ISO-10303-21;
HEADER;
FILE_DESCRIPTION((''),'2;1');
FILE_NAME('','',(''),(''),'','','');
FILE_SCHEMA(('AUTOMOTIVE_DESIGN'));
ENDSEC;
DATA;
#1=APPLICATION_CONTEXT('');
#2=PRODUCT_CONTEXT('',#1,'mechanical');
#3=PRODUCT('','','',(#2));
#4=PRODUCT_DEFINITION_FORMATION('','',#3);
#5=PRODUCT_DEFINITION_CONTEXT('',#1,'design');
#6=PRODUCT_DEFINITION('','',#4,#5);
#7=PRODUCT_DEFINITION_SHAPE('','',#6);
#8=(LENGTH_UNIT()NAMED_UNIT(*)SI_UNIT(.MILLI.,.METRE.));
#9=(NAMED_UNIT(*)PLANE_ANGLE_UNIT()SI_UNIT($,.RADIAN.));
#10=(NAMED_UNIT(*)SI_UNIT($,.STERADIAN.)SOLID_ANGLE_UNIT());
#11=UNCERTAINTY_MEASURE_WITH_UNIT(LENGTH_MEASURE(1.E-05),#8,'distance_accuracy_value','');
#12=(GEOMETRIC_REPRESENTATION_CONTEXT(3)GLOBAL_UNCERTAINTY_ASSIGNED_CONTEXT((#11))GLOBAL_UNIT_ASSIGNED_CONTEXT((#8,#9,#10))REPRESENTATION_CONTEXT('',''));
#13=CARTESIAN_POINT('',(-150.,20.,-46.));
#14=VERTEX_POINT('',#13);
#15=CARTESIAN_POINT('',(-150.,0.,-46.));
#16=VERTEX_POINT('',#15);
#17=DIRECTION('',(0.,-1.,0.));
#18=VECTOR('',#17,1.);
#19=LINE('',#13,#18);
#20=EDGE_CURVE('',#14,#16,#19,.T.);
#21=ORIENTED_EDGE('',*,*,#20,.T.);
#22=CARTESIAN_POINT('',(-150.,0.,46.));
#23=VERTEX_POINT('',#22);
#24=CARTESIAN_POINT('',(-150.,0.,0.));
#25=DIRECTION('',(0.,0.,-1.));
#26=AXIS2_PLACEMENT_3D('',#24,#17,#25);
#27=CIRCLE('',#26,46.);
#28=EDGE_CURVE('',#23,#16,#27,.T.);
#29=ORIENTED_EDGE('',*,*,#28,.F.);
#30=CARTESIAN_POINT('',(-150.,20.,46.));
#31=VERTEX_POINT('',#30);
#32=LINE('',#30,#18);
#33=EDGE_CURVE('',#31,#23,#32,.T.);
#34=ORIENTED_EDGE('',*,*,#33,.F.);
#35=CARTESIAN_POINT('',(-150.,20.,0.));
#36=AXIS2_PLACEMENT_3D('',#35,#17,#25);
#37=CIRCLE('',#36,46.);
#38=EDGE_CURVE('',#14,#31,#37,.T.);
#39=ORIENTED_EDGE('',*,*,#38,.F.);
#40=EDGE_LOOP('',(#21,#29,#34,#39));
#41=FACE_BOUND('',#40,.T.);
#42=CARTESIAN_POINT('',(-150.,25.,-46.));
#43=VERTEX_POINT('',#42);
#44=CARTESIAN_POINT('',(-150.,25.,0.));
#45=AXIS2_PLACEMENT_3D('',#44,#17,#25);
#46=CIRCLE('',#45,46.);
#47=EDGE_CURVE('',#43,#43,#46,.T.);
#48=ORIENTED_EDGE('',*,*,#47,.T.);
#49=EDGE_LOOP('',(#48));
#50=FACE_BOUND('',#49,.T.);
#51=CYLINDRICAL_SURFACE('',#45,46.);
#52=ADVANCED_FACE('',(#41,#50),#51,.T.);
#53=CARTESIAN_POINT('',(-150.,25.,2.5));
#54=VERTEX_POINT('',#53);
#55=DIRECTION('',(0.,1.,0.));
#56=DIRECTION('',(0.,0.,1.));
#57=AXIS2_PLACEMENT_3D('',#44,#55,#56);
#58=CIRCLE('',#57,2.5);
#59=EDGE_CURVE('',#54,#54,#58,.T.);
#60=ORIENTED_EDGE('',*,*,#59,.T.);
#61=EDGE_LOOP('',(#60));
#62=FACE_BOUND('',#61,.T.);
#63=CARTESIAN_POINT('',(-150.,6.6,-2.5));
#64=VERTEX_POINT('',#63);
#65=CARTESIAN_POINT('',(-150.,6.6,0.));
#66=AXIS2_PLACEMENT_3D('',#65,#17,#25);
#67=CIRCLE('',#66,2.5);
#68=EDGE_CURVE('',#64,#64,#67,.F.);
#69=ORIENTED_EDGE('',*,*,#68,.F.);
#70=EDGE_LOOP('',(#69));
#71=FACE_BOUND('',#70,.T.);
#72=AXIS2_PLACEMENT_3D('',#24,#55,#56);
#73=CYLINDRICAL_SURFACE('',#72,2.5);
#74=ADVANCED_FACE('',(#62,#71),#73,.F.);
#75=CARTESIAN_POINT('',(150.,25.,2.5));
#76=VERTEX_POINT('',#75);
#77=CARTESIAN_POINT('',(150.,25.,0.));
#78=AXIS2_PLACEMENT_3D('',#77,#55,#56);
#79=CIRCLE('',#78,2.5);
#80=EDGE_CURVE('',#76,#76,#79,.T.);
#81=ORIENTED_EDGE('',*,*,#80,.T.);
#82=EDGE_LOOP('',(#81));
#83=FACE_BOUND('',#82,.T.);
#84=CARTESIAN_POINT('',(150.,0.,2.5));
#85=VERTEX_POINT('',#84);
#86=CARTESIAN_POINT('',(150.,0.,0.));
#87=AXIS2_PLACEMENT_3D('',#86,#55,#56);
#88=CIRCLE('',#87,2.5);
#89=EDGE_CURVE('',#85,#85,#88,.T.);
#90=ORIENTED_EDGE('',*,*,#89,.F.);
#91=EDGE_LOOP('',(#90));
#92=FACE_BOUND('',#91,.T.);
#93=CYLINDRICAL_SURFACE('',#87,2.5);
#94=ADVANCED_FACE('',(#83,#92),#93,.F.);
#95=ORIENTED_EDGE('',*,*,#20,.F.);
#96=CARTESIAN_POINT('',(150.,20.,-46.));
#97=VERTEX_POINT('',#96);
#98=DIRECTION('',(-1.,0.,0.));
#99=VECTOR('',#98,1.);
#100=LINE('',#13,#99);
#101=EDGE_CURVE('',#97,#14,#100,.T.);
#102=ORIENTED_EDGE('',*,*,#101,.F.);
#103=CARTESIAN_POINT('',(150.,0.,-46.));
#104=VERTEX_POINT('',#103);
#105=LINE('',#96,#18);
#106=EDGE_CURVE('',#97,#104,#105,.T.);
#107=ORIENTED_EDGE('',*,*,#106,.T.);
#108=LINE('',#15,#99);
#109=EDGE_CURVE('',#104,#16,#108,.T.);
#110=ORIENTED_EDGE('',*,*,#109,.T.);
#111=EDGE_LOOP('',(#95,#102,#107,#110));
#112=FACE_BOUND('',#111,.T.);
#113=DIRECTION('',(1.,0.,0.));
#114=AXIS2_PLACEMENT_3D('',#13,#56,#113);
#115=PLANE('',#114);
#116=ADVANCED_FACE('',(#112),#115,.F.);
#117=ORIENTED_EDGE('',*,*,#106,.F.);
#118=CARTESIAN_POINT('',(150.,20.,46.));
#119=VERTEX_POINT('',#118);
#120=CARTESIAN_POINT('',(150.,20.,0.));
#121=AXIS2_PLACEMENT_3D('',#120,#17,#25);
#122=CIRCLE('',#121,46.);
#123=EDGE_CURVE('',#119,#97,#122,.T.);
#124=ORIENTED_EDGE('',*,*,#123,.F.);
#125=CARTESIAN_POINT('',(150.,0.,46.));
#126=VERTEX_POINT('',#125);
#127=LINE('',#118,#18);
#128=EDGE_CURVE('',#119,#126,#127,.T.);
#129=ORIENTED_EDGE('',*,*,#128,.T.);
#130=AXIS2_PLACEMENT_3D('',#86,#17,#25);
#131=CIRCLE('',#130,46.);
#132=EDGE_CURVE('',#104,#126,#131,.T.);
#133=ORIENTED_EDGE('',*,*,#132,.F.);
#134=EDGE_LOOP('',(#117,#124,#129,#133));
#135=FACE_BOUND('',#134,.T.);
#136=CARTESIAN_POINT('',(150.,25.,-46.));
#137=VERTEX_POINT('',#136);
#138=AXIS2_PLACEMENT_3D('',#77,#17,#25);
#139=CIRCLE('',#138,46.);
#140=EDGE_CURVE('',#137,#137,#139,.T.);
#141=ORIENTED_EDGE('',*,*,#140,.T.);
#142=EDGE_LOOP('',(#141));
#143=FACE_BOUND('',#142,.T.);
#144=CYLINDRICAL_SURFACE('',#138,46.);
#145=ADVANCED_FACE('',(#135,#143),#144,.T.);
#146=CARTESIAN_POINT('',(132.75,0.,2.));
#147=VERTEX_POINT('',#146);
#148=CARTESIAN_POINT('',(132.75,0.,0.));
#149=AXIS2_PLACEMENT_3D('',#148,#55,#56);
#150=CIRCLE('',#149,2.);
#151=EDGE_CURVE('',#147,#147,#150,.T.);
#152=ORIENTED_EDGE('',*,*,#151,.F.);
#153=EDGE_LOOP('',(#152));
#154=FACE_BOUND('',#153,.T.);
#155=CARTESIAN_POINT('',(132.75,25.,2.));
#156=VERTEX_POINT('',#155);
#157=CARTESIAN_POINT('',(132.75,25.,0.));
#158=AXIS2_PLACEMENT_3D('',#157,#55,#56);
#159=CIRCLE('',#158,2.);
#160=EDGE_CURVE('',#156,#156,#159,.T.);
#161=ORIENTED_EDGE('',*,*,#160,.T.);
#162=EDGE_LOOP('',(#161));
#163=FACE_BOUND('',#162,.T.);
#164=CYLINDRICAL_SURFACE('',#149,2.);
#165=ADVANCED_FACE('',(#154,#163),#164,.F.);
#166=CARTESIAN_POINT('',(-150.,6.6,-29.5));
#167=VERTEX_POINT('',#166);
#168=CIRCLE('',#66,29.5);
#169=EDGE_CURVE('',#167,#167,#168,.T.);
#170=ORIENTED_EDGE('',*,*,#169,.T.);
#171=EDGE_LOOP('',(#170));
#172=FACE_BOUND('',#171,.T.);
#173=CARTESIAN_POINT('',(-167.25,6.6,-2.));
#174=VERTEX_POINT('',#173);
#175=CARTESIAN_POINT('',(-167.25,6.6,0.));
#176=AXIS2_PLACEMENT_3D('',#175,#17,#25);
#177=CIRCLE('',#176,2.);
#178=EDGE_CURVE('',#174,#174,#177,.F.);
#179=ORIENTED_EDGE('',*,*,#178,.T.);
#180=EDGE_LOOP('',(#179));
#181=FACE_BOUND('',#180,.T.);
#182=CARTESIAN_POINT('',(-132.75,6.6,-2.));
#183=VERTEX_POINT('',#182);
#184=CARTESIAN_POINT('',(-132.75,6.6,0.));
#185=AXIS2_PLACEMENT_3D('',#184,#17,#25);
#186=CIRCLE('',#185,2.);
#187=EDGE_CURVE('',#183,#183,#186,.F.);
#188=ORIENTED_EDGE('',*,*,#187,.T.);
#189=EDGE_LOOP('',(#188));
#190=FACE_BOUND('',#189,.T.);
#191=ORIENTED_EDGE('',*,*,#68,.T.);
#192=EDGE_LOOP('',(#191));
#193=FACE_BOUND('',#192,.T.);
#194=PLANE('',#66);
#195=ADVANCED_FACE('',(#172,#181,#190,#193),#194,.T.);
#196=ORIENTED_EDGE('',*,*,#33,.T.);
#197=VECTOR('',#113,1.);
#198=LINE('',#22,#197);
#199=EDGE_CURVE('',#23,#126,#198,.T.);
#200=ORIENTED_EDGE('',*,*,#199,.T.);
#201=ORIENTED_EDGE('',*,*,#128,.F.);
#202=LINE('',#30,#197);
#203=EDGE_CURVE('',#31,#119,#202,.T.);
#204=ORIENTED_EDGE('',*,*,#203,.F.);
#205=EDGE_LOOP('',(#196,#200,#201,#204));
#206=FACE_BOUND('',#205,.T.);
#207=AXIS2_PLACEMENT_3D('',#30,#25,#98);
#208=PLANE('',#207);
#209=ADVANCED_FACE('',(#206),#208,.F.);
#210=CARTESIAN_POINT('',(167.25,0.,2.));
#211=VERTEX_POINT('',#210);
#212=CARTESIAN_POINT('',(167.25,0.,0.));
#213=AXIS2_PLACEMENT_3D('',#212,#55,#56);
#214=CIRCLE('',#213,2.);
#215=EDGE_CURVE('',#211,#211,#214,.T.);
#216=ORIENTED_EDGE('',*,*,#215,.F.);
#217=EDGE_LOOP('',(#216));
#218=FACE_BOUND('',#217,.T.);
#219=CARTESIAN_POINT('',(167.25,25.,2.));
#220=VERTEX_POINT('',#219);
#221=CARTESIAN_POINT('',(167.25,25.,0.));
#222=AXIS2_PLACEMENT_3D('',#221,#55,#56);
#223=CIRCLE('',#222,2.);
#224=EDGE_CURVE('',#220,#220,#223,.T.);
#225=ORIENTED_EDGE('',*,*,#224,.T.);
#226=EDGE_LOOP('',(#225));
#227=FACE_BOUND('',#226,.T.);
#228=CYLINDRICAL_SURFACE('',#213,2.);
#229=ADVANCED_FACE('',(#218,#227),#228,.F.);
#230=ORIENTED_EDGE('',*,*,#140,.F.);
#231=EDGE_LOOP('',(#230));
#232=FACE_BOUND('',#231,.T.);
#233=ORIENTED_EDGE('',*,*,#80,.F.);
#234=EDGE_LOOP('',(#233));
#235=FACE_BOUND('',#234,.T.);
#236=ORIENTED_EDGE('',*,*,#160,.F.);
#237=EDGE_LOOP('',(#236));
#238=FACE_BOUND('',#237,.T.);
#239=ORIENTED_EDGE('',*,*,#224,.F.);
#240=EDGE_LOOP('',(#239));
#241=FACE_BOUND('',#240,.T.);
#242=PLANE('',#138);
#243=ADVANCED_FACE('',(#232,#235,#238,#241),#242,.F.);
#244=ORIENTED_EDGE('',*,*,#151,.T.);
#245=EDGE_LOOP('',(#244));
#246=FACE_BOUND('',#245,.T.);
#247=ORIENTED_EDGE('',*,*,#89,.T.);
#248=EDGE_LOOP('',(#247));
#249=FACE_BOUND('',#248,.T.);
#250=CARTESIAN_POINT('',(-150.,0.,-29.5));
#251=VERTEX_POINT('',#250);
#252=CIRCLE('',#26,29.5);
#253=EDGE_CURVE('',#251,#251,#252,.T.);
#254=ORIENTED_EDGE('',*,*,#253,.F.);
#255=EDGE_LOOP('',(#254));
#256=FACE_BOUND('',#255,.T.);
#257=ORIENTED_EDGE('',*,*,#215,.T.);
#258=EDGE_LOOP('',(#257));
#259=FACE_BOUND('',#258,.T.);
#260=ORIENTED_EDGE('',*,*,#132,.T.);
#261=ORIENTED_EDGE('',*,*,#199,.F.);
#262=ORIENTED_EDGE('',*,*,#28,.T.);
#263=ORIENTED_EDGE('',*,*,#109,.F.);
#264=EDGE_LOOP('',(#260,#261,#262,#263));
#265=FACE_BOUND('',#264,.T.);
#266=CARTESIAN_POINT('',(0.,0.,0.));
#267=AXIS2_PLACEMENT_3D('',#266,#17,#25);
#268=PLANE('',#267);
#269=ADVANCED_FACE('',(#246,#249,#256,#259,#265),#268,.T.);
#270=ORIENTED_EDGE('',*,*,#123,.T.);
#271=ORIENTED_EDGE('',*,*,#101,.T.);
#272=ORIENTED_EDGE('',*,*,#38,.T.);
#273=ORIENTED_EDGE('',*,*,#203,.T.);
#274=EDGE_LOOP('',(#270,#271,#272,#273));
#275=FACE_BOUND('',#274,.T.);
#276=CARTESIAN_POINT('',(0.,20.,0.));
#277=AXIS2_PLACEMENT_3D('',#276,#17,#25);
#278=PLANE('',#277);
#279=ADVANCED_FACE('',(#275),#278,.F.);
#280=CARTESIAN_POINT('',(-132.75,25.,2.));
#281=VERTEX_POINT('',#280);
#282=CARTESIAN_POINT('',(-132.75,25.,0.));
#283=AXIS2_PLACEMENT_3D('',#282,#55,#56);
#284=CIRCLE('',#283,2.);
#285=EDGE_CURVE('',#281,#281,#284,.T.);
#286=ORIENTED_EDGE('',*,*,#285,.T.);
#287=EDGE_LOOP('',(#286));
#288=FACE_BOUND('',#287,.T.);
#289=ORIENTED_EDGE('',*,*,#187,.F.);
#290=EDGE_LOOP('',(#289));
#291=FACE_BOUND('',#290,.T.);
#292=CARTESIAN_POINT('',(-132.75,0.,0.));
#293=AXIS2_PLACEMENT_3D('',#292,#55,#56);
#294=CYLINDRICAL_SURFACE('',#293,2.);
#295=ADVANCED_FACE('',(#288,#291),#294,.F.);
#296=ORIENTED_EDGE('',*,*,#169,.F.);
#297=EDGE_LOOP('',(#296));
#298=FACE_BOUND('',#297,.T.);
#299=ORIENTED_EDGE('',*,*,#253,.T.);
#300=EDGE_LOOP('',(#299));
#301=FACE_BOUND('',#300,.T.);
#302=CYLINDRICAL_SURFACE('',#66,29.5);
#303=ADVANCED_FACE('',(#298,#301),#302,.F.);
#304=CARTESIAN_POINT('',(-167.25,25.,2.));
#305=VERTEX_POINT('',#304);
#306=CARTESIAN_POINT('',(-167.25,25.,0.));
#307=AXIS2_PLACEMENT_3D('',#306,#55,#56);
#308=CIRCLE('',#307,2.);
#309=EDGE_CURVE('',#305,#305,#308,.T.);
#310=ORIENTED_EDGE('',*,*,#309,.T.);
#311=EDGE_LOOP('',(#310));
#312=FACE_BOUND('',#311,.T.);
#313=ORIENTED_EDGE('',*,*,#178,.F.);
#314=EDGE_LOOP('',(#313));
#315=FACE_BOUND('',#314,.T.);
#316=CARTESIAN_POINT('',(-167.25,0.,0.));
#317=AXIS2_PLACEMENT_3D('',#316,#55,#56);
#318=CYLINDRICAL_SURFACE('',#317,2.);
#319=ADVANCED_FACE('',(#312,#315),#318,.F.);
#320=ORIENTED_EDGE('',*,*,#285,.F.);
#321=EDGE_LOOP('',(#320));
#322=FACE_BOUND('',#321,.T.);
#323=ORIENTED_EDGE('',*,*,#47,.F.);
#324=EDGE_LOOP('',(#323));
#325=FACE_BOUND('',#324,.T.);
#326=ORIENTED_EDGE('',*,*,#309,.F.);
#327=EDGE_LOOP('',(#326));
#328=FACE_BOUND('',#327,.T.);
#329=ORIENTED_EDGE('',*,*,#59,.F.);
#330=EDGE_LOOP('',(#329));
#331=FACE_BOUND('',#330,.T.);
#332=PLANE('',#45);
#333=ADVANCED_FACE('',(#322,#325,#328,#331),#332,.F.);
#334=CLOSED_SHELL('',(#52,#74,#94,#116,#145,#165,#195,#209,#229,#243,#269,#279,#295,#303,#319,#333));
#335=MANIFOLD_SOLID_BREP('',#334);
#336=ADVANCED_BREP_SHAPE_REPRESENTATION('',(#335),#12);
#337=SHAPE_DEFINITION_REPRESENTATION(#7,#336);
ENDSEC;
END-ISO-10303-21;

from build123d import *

# Parameters (mm, degrees)
SKETCH_1_W          = 300
SKETCH_1_H          = 92
EXTRUDE_1_DEPTH     = 20
SKETCH_2_R          = 46
EXTRUDE_2_DEPTH     = 25
SKETCH_3_R          = 2.5
SKETCH_3_R_2        = 2
CUT_EXTRUDE_1_DEPTH = 203.871880752
SKETCH_4_R          = 2.5
SKETCH_4_R_2        = 2
CUT_EXTRUDE_2_DEPTH = 203.871880752
SKETCH_5_R          = 29.5
CUT_EXTRUDE_3_DEPTH = 6.6


with BuildPart() as part:
    # 草图1 → 凸台-拉伸1 (new body)
    with BuildSketch(Plane(origin=(0, 0, 0), x_dir=(1, 0, 0), z_dir=(0, 1, 0))):
        Rectangle(SKETCH_1_W, SKETCH_1_H)
    extrude(amount=EXTRUDE_1_DEPTH)

    # 草图2 → 凸台-拉伸2 (add)
    with BuildSketch(Plane.XZ):
        with Locations(Location((-150, 0, 0), (0, 0, 270))):
            Circle(SKETCH_2_R)
        with Locations(Location((150, 0, 0), (0, 0, 270))):
            Circle(SKETCH_2_R)
    extrude(amount=-EXTRUDE_2_DEPTH)

    # 草图3 → 切除-拉伸1 (cut, through all)
    with BuildSketch(Plane(origin=(0, 25, 0), x_dir=(1, 0, 0), z_dir=(0, 1, 0))):
        with Locations(Location((150, 0, 0), (0, 0, 270))):
            Circle(SKETCH_3_R)
        with Locations(Location((167.25, 0, 0), (0, 0, 270))):
            Circle(SKETCH_3_R_2)
        with Locations(Location((132.75, 0, 0), (0, 0, 270))):
            Circle(SKETCH_3_R_2)
    extrude(amount=-CUT_EXTRUDE_1_DEPTH, mode=Mode.SUBTRACT)

    # 草图4 → 切除-拉伸2 (cut, through all)
    with BuildSketch(Plane(origin=(0, 25, 0), x_dir=(1, 0, 0), z_dir=(0, 1, 0))):
        with Locations(Location((-150, 0, 0), (0, 0, 270))):
            Circle(SKETCH_4_R)
        with Locations(Location((-132.75, 0, 0), (0, 0, 270))):
            Circle(SKETCH_4_R_2)
        with Locations(Location((-167.25, 0, 0), (0, 0, 270))):
            Circle(SKETCH_4_R_2)
    extrude(amount=-CUT_EXTRUDE_2_DEPTH, mode=Mode.SUBTRACT)

    # 草图5 → 切除-拉伸3 (cut)
    with BuildSketch(Plane.XZ):
        with Locations(Location((-150, 0, 0), (0, 0, 270))):
            Circle(SKETCH_5_R)
    extrude(amount=-CUT_EXTRUDE_3_DEPTH, mode=Mode.SUBTRACT)


solid = part.part
